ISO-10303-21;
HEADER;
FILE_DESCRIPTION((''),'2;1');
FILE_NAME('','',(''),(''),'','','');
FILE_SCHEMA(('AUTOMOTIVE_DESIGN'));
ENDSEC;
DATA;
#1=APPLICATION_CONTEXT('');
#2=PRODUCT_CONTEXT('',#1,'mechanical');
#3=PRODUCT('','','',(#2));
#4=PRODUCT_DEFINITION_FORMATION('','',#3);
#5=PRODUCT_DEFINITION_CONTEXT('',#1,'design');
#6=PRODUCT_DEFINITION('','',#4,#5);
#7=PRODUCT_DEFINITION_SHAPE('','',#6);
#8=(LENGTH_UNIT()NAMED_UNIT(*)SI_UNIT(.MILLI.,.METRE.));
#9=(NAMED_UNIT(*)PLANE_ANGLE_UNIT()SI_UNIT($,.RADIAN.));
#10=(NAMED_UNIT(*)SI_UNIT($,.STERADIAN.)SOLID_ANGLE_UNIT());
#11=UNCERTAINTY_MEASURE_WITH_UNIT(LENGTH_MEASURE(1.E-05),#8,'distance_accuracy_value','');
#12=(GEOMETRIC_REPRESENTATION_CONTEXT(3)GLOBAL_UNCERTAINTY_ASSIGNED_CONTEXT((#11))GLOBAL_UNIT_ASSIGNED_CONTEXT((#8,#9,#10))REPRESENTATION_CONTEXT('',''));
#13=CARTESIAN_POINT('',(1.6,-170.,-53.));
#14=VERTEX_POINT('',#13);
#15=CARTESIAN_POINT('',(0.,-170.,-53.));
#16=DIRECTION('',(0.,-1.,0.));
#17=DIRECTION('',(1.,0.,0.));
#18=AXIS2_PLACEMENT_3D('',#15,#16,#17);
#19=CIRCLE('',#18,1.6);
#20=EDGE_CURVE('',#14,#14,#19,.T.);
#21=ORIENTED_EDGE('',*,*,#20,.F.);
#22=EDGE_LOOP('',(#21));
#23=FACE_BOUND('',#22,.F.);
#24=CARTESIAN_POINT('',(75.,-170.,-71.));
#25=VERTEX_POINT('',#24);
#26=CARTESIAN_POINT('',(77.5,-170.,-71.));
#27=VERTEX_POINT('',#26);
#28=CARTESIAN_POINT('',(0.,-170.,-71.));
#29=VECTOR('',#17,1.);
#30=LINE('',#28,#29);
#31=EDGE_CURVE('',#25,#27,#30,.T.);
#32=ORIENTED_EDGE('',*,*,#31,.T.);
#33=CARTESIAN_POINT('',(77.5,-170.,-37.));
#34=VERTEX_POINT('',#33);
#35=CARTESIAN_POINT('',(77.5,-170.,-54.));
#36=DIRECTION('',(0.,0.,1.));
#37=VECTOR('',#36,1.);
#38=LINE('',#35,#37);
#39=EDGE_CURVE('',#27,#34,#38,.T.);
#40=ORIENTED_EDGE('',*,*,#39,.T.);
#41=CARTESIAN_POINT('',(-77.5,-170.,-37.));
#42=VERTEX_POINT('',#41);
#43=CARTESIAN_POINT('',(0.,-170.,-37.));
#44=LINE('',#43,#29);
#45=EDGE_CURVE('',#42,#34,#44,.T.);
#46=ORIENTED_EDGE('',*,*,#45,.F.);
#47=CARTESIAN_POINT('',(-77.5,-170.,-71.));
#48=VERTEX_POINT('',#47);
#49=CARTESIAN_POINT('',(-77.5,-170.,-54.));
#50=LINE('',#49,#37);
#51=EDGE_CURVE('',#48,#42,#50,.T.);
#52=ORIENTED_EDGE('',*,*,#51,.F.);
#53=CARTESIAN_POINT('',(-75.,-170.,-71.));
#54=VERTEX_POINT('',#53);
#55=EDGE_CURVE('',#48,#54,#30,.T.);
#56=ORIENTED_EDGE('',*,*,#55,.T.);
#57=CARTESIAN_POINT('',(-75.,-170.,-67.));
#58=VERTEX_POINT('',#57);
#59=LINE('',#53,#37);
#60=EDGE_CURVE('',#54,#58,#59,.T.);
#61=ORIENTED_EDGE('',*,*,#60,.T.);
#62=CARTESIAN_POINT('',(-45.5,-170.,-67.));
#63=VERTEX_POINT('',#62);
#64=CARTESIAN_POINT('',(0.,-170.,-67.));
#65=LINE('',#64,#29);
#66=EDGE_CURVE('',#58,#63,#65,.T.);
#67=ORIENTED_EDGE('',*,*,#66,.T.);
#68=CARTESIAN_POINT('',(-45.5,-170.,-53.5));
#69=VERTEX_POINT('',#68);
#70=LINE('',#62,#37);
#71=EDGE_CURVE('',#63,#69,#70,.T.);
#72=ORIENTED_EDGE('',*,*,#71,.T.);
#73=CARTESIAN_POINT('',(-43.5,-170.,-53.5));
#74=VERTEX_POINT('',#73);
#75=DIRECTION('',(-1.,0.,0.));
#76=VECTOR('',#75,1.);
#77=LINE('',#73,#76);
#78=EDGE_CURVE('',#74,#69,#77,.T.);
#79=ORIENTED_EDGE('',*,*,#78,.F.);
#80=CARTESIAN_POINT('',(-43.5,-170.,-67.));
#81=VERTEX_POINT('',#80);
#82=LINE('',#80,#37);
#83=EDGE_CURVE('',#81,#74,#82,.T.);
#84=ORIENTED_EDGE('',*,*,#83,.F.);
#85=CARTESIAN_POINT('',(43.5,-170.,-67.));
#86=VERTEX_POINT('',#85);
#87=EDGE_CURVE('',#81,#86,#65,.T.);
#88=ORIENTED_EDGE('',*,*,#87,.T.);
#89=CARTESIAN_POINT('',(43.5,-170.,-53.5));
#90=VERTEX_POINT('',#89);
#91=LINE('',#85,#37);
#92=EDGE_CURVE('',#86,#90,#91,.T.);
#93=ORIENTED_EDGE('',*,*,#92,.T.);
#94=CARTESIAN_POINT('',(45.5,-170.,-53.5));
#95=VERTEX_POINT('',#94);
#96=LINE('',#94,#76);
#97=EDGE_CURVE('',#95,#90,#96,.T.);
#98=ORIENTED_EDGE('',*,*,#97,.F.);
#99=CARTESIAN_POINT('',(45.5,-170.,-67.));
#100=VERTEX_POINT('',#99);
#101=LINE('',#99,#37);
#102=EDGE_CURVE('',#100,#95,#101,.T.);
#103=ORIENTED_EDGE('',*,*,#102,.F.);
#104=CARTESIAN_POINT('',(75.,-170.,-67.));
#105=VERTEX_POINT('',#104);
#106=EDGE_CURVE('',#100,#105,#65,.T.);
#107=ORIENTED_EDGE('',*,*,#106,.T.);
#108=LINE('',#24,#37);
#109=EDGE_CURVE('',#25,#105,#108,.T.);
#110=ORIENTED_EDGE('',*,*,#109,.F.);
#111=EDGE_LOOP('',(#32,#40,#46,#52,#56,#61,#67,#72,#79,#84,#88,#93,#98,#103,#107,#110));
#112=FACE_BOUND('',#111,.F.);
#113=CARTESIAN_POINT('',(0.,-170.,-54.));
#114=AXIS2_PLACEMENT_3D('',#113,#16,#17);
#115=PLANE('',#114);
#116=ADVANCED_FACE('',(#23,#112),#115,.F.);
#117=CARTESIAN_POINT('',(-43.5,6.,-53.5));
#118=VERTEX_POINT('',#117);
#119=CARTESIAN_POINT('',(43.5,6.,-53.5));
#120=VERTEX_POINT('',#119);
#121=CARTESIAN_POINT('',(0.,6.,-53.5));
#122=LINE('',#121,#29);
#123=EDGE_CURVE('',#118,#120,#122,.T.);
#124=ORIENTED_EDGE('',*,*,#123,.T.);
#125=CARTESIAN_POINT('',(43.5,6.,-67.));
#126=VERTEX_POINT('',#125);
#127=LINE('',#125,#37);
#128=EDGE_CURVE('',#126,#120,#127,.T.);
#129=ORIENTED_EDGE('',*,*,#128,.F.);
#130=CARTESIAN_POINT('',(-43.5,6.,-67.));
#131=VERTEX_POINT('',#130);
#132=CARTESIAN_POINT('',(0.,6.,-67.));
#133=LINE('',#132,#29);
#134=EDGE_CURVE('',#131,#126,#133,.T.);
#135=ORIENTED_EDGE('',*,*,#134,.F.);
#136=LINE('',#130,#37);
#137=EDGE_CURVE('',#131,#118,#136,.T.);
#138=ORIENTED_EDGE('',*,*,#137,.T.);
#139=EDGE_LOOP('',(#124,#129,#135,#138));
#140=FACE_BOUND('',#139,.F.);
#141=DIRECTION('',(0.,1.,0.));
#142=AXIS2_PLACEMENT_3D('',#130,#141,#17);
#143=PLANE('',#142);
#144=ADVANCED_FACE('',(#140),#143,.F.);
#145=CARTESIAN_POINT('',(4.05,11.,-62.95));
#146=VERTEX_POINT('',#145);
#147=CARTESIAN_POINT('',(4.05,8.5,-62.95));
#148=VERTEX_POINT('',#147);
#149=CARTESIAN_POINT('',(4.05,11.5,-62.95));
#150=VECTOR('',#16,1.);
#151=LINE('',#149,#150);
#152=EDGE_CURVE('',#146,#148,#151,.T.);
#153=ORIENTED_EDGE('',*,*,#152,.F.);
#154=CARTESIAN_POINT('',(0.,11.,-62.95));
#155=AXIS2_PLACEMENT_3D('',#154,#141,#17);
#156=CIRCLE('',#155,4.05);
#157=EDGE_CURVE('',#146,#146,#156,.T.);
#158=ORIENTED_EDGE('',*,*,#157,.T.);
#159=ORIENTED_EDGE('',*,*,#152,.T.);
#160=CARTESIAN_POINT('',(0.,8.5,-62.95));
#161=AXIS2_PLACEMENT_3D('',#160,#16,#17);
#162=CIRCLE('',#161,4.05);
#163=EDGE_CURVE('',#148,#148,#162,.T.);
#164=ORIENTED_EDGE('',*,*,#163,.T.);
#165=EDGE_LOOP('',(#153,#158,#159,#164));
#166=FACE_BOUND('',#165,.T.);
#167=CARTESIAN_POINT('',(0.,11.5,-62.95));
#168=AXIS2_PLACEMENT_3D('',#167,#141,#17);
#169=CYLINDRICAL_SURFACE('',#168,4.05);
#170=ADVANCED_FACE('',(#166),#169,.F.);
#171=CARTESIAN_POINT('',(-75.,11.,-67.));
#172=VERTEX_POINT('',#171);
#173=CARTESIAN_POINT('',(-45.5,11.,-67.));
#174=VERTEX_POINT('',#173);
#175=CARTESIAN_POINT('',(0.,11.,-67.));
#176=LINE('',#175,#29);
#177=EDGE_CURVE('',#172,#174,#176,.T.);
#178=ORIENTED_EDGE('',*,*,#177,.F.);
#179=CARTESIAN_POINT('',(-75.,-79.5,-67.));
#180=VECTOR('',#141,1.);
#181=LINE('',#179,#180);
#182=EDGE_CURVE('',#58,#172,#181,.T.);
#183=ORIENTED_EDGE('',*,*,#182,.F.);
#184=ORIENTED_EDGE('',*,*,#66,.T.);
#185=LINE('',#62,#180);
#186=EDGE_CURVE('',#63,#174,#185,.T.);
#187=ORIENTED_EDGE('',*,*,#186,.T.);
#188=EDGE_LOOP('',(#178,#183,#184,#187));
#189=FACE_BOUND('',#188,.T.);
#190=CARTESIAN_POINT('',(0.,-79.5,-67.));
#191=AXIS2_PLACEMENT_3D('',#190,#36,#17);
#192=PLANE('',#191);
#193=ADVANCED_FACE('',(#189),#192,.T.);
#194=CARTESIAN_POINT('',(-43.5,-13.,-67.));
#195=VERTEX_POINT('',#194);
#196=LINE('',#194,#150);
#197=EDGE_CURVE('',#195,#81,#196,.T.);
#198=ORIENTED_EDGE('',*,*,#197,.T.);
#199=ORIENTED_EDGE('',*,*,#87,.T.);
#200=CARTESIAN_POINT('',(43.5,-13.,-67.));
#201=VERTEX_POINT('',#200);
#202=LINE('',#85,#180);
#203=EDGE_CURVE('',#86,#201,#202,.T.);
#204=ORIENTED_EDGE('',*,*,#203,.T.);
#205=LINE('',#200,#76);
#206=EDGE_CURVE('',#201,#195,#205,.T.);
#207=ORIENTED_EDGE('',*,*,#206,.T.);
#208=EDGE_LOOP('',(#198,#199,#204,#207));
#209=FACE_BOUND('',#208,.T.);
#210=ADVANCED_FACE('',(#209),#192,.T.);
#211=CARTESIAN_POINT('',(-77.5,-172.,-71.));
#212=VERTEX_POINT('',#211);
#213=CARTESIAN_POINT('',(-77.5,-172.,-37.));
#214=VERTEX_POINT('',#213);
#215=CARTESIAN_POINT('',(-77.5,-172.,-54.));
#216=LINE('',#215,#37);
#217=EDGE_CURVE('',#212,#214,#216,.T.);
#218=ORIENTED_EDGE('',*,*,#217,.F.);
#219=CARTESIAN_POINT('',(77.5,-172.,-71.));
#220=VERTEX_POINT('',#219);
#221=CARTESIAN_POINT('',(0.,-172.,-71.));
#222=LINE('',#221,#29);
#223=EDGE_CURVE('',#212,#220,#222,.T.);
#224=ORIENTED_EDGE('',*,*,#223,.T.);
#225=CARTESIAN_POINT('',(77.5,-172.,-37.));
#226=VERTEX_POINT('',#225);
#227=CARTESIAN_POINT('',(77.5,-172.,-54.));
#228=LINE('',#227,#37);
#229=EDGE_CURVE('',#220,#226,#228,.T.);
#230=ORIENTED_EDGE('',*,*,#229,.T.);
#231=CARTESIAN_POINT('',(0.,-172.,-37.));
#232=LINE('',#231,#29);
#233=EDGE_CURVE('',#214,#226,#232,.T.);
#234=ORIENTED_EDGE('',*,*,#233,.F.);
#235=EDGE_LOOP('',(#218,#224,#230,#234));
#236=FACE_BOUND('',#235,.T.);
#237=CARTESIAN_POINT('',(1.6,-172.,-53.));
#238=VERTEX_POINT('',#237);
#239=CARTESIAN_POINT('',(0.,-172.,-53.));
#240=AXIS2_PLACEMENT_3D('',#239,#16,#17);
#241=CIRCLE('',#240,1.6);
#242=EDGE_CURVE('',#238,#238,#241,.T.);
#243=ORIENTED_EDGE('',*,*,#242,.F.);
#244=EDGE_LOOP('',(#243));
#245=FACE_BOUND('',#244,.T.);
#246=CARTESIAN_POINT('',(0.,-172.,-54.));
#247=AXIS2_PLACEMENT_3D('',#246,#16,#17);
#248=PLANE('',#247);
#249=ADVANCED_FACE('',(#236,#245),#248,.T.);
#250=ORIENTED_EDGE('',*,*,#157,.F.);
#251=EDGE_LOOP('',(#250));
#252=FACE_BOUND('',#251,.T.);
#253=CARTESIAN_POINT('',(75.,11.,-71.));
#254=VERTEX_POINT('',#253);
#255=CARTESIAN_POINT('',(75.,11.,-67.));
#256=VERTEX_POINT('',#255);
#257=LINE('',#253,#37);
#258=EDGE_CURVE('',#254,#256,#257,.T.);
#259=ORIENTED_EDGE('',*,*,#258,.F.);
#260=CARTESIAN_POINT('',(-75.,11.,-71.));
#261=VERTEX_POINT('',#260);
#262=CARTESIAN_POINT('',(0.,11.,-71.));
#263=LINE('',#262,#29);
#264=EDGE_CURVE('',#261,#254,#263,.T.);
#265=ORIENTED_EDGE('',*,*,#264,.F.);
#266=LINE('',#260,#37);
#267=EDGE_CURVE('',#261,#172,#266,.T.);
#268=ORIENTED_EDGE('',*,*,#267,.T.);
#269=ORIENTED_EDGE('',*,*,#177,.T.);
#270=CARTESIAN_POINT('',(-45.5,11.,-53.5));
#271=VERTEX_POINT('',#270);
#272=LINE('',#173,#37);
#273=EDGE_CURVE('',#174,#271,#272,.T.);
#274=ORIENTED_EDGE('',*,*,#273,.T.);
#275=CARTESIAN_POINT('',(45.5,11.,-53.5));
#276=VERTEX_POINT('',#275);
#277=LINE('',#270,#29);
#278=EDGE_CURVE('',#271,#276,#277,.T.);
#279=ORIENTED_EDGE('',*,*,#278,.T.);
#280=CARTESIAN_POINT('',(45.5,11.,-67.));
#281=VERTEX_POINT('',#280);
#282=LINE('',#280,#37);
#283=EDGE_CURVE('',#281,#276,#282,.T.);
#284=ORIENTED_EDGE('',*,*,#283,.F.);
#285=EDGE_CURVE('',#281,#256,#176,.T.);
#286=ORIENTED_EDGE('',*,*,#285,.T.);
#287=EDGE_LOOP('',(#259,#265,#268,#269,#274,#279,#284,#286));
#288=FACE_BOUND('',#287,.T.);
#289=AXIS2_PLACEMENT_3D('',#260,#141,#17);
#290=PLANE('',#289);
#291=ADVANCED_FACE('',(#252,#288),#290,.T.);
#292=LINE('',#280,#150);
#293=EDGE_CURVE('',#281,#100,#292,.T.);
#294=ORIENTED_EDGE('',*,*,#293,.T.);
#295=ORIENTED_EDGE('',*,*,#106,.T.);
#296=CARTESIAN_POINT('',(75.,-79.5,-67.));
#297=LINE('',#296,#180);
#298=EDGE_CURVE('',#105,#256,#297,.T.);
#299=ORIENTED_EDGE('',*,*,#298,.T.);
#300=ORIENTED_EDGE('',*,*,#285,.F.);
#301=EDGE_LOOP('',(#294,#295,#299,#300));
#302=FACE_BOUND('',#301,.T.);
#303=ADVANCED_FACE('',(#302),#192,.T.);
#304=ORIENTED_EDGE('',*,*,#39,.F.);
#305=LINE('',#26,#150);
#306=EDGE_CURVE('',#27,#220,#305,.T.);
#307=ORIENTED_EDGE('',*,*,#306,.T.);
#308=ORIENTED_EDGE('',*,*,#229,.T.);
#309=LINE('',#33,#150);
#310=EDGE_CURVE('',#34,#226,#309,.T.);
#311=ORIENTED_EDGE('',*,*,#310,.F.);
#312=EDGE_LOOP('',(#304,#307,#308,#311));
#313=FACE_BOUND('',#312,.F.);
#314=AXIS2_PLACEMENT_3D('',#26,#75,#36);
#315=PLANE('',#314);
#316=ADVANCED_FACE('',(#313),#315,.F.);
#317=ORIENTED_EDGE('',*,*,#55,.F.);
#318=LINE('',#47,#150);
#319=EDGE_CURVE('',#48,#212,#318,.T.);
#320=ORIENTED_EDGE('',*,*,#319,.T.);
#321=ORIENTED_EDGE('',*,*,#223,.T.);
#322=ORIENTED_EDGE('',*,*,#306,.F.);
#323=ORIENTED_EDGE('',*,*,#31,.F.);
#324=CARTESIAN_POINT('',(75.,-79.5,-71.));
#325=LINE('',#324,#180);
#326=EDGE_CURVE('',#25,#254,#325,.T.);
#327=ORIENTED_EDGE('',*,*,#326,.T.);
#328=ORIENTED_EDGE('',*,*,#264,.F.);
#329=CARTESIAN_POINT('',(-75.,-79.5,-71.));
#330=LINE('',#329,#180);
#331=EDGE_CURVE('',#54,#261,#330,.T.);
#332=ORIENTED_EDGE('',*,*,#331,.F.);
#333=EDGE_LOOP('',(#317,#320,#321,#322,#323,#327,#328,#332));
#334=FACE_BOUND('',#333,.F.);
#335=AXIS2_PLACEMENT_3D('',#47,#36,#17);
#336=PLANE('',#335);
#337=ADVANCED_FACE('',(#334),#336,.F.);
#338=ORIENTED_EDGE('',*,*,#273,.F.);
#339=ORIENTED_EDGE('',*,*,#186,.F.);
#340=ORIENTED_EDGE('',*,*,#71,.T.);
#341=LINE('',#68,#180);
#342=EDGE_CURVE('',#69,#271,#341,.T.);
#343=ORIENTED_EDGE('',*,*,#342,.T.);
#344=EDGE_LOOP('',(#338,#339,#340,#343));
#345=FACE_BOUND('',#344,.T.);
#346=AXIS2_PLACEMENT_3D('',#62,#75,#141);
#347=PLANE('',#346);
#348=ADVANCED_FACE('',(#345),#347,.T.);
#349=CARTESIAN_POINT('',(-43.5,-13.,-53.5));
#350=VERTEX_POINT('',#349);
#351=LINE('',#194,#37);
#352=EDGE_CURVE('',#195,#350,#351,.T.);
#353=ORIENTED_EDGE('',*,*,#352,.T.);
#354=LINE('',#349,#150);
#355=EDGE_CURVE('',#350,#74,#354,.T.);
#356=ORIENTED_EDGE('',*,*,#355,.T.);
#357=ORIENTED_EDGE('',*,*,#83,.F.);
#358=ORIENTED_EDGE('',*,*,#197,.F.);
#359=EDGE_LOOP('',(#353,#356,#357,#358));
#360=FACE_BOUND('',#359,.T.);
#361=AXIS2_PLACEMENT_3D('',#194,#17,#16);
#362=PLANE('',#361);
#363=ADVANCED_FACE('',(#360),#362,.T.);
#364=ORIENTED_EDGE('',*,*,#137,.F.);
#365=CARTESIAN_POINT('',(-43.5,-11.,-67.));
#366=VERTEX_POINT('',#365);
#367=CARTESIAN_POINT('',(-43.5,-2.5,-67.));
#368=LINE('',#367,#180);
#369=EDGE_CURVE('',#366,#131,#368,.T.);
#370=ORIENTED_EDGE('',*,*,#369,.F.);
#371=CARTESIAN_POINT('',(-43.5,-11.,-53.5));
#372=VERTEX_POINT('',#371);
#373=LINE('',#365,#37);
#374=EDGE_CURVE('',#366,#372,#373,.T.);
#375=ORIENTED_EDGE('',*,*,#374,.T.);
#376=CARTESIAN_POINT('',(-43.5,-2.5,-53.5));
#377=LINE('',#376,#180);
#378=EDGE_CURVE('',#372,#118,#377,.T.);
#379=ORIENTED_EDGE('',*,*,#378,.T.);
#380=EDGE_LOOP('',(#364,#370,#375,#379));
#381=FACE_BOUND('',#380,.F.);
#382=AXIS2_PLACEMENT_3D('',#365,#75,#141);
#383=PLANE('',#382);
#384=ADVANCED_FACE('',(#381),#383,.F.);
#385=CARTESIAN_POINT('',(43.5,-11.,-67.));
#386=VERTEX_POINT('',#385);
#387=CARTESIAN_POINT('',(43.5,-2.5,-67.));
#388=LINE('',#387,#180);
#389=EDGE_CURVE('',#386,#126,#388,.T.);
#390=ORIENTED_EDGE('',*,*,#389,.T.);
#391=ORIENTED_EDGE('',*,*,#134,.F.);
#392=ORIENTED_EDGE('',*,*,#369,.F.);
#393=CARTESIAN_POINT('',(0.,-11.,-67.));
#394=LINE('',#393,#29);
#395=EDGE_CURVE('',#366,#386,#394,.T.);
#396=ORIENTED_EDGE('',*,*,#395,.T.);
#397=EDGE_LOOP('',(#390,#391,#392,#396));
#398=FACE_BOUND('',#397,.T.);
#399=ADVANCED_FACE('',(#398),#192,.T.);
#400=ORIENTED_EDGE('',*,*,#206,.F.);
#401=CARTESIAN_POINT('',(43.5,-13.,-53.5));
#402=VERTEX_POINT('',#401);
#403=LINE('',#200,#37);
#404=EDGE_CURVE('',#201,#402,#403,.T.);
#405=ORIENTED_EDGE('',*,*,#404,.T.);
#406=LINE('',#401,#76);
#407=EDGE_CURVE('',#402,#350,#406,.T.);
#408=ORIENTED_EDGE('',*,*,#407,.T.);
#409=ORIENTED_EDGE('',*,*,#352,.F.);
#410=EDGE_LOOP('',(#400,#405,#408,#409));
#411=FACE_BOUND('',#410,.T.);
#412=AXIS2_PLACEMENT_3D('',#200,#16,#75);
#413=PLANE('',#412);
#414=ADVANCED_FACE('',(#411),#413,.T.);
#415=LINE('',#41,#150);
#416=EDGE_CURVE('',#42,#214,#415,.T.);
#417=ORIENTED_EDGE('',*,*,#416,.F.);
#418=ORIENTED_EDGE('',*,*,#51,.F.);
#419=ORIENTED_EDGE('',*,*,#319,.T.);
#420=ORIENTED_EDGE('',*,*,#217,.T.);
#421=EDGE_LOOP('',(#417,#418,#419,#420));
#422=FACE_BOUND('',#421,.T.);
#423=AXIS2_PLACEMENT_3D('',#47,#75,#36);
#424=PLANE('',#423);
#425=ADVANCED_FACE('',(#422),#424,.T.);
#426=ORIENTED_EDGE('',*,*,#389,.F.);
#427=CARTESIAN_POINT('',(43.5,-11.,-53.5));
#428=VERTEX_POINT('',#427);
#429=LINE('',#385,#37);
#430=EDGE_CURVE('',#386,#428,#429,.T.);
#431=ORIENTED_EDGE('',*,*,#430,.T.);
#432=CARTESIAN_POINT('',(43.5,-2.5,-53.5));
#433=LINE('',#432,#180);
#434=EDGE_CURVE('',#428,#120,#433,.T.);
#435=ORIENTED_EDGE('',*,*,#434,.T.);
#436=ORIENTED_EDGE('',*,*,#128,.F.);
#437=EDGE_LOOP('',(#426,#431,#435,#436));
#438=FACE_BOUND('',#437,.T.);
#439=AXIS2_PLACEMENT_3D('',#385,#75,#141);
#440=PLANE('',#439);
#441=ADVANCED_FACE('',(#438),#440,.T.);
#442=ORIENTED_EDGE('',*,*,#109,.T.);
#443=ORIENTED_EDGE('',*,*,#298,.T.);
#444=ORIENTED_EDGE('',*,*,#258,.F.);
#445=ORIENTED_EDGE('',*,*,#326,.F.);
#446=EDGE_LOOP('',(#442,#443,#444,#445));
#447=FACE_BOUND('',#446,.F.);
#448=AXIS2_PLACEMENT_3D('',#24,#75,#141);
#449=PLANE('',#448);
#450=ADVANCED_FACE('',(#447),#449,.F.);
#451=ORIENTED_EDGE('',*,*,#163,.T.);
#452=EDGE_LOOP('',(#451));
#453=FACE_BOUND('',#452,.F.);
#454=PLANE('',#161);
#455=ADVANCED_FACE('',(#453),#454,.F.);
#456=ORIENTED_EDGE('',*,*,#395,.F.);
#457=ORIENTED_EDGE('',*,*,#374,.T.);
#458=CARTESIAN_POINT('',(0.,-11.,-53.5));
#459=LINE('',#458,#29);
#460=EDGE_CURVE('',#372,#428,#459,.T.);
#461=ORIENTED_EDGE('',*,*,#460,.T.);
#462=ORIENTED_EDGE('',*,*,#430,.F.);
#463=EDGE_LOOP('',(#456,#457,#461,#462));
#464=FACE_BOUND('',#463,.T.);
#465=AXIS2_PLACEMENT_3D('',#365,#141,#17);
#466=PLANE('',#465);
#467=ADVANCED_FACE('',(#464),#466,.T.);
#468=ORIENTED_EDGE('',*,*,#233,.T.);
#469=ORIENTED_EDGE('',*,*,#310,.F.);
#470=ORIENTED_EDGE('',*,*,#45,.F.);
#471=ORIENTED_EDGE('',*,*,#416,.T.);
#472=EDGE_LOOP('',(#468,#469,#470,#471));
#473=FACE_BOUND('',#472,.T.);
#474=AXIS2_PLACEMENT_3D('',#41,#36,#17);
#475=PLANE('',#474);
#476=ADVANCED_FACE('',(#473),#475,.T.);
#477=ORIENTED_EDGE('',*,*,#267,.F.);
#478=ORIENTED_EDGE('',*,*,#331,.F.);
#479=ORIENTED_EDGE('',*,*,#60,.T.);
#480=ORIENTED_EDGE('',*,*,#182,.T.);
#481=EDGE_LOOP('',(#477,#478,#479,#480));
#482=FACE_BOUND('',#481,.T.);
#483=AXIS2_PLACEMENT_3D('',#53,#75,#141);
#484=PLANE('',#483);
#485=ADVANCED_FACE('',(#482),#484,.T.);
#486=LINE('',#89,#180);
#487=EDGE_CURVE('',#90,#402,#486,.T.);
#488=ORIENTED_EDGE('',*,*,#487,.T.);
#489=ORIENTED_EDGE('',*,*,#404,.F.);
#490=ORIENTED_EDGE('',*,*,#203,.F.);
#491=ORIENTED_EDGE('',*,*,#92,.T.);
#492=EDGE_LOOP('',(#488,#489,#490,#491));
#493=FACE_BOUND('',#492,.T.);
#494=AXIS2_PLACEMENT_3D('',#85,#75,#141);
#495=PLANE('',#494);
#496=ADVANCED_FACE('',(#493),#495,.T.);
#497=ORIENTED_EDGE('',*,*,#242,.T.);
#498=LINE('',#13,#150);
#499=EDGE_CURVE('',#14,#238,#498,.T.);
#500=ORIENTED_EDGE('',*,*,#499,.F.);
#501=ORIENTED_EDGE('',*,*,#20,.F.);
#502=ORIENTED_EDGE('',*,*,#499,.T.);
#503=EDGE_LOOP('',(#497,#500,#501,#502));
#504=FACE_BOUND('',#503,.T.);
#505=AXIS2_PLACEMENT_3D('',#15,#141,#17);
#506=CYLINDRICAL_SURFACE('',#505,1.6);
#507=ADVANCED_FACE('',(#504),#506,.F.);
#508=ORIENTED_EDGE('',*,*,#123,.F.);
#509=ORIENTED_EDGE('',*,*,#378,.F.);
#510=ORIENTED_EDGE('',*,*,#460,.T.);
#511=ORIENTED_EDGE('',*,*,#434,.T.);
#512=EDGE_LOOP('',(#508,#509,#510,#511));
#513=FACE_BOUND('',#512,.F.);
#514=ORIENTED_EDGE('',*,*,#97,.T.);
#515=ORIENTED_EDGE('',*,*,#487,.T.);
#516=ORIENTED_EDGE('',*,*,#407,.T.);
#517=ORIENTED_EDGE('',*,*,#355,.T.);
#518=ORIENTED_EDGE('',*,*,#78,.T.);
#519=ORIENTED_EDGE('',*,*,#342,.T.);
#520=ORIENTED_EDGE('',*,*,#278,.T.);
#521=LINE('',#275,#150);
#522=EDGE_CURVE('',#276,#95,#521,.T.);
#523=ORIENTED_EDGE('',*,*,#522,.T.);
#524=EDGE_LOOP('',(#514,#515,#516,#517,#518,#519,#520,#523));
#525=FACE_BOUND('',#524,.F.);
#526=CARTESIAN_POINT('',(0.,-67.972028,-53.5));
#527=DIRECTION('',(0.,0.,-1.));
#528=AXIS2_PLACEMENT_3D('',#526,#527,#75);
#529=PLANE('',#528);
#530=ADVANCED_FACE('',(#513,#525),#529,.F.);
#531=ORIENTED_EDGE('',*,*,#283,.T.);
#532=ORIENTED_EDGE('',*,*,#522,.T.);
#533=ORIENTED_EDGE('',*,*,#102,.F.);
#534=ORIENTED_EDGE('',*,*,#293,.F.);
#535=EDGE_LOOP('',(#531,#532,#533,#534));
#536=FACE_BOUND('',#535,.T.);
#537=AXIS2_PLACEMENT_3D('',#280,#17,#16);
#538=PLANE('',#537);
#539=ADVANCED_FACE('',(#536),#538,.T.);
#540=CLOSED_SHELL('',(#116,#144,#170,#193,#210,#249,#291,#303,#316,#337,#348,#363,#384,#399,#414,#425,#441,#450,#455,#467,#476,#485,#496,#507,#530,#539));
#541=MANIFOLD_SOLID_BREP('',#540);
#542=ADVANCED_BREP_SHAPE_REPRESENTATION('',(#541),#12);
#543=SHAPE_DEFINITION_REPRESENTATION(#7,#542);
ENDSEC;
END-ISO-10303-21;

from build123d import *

# Parameters (mm, degrees)
SKETCH056_W     = 150
SKETCH056_H     = 181
PAD017_DEPTH    = 4
SKETCH057_W     = 87
SKETCH057_H     = 17
PAD018_DEPTH    = 13.5
SKETCH058_W     = 155
SKETCH058_H     = 34
PAD019_DEPTH    = 2
SKETCH059_R     = 1.6
POCKET014_DEPTH = 2
SKETCH082_R     = 4.05
POCKET023_DEPTH = 3


with BuildPart() as part:
    # Sketch056 → Pad017 (new body)
    with BuildSketch(Plane.XY):
        with Locations((0, -4)):
            Rectangle(SKETCH056_W, SKETCH056_H)
    extrude(amount=PAD017_DEPTH)

    # Sketch057 (on DatumPlane) → Pad018 (join)
    with BuildSketch(Plane.XY.offset(4)):
        Polygon((-45.5, 86.5), (45.5, 86.5), (45.5, -94.5), (43.5, -94.5), (43.5, 62.5), (-43.5, 62.5), (-43.5, -94.5), (-45.5, -94.5), align=None)
        with Locations((0, 73)):
            Rectangle(SKETCH057_W, SKETCH057_H, mode=Mode.SUBTRACT)
    extrude(amount=PAD018_DEPTH)

    # Sketch058 (on DatumPlane) → Pad019 (join)
    with BuildSketch(Plane.XZ.offset(94.5)):
        with Locations((0, 17)):
            Rectangle(SKETCH058_W, SKETCH058_H)
    extrude(amount=PAD019_DEPTH)

    # Sketch059 (on DatumPlane) → Pocket014 (cut)
    with BuildSketch(Plane.XZ.offset(94.5)):
        with Locations((0, 18)):
            Circle(SKETCH059_R)
    extrude(amount=POCKET014_DEPTH, mode=Mode.SUBTRACT)

    # Sketch082 (on DatumPlane) → Pocket023 (cut)
    with BuildSketch(Plane.XZ.offset(-87)):
        with Locations((0, 8.05)):
            Circle(SKETCH082_R)
    extrude(amount=POCKET023_DEPTH, mode=Mode.SUBTRACT)


with BuildPart() as part_1:
    # Body007 placement: moved
    add(part.part.moved(Location((0, -75.5, -71))))


solid = part_1.part
